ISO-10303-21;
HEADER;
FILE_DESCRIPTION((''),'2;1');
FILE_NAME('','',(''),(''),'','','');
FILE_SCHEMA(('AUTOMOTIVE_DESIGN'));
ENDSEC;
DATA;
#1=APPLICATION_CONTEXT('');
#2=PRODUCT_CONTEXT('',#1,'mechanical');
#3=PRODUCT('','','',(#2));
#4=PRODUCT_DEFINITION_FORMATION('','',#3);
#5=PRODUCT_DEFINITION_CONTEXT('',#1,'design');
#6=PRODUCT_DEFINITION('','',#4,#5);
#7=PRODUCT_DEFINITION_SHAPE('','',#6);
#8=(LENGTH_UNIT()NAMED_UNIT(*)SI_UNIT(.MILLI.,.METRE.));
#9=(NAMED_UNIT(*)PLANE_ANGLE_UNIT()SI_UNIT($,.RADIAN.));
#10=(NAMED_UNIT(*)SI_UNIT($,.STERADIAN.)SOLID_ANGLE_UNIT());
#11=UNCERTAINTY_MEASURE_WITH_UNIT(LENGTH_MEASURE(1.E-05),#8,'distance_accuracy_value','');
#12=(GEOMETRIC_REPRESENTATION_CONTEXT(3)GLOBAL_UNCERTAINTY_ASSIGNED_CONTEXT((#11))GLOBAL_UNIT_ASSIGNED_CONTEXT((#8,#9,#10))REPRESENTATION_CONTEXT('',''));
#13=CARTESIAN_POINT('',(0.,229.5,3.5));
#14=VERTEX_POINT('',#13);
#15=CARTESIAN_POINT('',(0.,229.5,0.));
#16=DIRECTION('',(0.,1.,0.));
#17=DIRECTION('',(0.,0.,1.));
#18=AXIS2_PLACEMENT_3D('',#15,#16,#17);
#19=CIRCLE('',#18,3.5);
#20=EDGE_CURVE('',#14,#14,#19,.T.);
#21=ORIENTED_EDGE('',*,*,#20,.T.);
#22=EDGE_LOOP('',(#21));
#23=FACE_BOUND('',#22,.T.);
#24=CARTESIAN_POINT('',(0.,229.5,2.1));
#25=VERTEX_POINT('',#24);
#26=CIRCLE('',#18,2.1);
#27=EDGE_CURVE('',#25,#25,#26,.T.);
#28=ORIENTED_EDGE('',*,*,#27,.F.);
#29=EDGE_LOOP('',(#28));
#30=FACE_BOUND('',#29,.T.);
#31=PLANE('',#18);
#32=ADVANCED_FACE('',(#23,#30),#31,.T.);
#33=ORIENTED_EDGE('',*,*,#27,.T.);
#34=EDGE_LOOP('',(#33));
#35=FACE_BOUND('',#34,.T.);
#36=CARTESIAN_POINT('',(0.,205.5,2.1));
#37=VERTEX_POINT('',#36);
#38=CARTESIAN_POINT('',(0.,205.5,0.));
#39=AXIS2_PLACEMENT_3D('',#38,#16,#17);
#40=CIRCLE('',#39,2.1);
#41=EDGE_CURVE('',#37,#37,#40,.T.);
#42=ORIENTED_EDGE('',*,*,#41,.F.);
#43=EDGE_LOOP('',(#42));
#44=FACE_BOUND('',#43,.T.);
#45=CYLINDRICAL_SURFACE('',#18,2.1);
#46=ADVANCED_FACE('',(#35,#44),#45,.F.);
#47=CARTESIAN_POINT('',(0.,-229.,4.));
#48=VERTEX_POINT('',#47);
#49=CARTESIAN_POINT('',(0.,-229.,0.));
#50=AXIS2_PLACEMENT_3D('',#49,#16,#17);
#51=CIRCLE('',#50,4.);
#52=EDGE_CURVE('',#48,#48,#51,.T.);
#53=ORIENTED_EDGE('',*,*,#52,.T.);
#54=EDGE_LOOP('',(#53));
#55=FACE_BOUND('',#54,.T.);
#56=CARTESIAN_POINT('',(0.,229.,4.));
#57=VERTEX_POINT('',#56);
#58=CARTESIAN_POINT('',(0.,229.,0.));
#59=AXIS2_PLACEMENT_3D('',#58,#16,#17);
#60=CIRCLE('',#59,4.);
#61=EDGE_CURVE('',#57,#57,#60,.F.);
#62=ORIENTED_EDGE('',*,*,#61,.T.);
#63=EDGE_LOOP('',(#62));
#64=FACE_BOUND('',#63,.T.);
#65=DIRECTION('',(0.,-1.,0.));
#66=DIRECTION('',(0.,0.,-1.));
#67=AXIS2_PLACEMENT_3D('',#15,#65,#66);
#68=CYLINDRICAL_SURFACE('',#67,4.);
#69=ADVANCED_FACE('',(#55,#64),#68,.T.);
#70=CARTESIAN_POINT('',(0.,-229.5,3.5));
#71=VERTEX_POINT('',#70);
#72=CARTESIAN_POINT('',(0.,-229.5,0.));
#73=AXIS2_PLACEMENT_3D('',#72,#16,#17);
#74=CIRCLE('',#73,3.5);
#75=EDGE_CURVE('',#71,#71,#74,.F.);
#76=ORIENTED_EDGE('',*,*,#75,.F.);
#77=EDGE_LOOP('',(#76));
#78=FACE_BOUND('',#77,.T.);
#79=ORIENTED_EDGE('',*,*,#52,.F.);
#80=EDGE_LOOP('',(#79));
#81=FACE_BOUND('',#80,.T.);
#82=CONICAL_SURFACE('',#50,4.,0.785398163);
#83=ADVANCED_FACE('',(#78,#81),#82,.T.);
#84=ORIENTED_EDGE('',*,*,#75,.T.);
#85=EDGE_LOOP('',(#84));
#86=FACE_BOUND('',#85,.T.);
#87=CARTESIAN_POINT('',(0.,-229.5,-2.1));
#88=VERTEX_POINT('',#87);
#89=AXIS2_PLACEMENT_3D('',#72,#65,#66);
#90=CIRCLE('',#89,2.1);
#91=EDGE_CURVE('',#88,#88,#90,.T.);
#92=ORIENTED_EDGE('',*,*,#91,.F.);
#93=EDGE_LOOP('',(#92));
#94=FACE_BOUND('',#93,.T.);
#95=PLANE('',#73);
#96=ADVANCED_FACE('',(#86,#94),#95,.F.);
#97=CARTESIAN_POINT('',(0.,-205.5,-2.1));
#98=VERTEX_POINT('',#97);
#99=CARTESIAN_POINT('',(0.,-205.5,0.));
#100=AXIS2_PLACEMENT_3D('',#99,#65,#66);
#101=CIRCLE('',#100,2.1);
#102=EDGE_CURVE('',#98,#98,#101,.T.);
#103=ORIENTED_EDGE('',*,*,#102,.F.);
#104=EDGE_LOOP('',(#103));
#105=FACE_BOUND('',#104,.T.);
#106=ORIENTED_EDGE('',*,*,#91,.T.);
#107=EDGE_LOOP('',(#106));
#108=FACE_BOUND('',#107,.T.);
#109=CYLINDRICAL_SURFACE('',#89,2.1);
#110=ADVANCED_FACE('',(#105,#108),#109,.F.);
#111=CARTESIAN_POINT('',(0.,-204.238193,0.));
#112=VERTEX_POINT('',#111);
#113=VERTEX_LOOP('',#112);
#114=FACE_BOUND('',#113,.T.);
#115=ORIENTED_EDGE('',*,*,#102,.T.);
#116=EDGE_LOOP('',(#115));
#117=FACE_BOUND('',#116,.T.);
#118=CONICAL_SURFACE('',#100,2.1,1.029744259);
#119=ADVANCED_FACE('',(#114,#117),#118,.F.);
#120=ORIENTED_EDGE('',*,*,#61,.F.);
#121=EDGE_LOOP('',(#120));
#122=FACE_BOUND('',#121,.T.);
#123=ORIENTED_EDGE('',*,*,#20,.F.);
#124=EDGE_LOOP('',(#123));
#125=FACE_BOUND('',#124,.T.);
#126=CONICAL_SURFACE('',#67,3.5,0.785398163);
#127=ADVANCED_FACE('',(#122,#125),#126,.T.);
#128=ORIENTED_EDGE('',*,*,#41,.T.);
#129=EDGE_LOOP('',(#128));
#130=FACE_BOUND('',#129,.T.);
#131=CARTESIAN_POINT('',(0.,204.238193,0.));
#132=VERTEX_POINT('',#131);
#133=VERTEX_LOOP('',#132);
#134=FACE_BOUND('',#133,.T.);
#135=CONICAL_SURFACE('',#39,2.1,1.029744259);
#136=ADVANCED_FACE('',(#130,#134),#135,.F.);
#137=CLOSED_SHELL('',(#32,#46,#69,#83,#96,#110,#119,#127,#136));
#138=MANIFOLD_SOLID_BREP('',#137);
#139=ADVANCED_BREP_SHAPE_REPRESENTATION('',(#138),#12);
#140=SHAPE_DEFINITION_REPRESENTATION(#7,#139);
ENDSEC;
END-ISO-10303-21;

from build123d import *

# Parameters (mm, degrees)
ESBO_O3_R                = 4
RESSALTO_EXTRUS_O1_DEPTH = 229.5
CHANFRO1_SIZE            = 0.5


with BuildPart() as part:
    # Esboço3 → Ressalto-extrusão1 (new, symmetric)
    with BuildSketch(Plane(origin=(0, 0, 0), x_dir=(1, 0, 0), z_dir=(0, 1, 0))):
        with Locations(Location((0, 0, 0), (0, 0, 270))):
            Circle(ESBO_O3_R)
    extrude(amount=RESSALTO_EXTRUS_O1_DEPTH, both=True)

    # Chanfro1
    chanfro1_edges = [part.edges().sort_by_distance(p)[0] for p in [
        (0, -229.5, -4),
        (0, 229.5, -4),
    ]]
    chamfer(chanfro1_edges, length=CHANFRO1_SIZE)

    # Esboço4 → Furo roscado de M51 (revolve, cut)
    with BuildSketch(Plane(origin=(0, 229.5, 0), x_dir=(0, 0, 1), z_dir=(1, 0, 0))):
        Polygon((0, 0), (0, 25.2618073), (2.1, 24), (2.1, 0), align=None)
    furo_roscado_de_m51 = revolve(axis=Axis((0, 235.85, 0), (0, -1, 0)), mode=Mode.SUBTRACT)

    # Espelhar1: Furo roscado de M51 across plane
    add(furo_roscado_de_m51.mirror(Plane.ZX), mode=Mode.SUBTRACT)


solid = part.part
